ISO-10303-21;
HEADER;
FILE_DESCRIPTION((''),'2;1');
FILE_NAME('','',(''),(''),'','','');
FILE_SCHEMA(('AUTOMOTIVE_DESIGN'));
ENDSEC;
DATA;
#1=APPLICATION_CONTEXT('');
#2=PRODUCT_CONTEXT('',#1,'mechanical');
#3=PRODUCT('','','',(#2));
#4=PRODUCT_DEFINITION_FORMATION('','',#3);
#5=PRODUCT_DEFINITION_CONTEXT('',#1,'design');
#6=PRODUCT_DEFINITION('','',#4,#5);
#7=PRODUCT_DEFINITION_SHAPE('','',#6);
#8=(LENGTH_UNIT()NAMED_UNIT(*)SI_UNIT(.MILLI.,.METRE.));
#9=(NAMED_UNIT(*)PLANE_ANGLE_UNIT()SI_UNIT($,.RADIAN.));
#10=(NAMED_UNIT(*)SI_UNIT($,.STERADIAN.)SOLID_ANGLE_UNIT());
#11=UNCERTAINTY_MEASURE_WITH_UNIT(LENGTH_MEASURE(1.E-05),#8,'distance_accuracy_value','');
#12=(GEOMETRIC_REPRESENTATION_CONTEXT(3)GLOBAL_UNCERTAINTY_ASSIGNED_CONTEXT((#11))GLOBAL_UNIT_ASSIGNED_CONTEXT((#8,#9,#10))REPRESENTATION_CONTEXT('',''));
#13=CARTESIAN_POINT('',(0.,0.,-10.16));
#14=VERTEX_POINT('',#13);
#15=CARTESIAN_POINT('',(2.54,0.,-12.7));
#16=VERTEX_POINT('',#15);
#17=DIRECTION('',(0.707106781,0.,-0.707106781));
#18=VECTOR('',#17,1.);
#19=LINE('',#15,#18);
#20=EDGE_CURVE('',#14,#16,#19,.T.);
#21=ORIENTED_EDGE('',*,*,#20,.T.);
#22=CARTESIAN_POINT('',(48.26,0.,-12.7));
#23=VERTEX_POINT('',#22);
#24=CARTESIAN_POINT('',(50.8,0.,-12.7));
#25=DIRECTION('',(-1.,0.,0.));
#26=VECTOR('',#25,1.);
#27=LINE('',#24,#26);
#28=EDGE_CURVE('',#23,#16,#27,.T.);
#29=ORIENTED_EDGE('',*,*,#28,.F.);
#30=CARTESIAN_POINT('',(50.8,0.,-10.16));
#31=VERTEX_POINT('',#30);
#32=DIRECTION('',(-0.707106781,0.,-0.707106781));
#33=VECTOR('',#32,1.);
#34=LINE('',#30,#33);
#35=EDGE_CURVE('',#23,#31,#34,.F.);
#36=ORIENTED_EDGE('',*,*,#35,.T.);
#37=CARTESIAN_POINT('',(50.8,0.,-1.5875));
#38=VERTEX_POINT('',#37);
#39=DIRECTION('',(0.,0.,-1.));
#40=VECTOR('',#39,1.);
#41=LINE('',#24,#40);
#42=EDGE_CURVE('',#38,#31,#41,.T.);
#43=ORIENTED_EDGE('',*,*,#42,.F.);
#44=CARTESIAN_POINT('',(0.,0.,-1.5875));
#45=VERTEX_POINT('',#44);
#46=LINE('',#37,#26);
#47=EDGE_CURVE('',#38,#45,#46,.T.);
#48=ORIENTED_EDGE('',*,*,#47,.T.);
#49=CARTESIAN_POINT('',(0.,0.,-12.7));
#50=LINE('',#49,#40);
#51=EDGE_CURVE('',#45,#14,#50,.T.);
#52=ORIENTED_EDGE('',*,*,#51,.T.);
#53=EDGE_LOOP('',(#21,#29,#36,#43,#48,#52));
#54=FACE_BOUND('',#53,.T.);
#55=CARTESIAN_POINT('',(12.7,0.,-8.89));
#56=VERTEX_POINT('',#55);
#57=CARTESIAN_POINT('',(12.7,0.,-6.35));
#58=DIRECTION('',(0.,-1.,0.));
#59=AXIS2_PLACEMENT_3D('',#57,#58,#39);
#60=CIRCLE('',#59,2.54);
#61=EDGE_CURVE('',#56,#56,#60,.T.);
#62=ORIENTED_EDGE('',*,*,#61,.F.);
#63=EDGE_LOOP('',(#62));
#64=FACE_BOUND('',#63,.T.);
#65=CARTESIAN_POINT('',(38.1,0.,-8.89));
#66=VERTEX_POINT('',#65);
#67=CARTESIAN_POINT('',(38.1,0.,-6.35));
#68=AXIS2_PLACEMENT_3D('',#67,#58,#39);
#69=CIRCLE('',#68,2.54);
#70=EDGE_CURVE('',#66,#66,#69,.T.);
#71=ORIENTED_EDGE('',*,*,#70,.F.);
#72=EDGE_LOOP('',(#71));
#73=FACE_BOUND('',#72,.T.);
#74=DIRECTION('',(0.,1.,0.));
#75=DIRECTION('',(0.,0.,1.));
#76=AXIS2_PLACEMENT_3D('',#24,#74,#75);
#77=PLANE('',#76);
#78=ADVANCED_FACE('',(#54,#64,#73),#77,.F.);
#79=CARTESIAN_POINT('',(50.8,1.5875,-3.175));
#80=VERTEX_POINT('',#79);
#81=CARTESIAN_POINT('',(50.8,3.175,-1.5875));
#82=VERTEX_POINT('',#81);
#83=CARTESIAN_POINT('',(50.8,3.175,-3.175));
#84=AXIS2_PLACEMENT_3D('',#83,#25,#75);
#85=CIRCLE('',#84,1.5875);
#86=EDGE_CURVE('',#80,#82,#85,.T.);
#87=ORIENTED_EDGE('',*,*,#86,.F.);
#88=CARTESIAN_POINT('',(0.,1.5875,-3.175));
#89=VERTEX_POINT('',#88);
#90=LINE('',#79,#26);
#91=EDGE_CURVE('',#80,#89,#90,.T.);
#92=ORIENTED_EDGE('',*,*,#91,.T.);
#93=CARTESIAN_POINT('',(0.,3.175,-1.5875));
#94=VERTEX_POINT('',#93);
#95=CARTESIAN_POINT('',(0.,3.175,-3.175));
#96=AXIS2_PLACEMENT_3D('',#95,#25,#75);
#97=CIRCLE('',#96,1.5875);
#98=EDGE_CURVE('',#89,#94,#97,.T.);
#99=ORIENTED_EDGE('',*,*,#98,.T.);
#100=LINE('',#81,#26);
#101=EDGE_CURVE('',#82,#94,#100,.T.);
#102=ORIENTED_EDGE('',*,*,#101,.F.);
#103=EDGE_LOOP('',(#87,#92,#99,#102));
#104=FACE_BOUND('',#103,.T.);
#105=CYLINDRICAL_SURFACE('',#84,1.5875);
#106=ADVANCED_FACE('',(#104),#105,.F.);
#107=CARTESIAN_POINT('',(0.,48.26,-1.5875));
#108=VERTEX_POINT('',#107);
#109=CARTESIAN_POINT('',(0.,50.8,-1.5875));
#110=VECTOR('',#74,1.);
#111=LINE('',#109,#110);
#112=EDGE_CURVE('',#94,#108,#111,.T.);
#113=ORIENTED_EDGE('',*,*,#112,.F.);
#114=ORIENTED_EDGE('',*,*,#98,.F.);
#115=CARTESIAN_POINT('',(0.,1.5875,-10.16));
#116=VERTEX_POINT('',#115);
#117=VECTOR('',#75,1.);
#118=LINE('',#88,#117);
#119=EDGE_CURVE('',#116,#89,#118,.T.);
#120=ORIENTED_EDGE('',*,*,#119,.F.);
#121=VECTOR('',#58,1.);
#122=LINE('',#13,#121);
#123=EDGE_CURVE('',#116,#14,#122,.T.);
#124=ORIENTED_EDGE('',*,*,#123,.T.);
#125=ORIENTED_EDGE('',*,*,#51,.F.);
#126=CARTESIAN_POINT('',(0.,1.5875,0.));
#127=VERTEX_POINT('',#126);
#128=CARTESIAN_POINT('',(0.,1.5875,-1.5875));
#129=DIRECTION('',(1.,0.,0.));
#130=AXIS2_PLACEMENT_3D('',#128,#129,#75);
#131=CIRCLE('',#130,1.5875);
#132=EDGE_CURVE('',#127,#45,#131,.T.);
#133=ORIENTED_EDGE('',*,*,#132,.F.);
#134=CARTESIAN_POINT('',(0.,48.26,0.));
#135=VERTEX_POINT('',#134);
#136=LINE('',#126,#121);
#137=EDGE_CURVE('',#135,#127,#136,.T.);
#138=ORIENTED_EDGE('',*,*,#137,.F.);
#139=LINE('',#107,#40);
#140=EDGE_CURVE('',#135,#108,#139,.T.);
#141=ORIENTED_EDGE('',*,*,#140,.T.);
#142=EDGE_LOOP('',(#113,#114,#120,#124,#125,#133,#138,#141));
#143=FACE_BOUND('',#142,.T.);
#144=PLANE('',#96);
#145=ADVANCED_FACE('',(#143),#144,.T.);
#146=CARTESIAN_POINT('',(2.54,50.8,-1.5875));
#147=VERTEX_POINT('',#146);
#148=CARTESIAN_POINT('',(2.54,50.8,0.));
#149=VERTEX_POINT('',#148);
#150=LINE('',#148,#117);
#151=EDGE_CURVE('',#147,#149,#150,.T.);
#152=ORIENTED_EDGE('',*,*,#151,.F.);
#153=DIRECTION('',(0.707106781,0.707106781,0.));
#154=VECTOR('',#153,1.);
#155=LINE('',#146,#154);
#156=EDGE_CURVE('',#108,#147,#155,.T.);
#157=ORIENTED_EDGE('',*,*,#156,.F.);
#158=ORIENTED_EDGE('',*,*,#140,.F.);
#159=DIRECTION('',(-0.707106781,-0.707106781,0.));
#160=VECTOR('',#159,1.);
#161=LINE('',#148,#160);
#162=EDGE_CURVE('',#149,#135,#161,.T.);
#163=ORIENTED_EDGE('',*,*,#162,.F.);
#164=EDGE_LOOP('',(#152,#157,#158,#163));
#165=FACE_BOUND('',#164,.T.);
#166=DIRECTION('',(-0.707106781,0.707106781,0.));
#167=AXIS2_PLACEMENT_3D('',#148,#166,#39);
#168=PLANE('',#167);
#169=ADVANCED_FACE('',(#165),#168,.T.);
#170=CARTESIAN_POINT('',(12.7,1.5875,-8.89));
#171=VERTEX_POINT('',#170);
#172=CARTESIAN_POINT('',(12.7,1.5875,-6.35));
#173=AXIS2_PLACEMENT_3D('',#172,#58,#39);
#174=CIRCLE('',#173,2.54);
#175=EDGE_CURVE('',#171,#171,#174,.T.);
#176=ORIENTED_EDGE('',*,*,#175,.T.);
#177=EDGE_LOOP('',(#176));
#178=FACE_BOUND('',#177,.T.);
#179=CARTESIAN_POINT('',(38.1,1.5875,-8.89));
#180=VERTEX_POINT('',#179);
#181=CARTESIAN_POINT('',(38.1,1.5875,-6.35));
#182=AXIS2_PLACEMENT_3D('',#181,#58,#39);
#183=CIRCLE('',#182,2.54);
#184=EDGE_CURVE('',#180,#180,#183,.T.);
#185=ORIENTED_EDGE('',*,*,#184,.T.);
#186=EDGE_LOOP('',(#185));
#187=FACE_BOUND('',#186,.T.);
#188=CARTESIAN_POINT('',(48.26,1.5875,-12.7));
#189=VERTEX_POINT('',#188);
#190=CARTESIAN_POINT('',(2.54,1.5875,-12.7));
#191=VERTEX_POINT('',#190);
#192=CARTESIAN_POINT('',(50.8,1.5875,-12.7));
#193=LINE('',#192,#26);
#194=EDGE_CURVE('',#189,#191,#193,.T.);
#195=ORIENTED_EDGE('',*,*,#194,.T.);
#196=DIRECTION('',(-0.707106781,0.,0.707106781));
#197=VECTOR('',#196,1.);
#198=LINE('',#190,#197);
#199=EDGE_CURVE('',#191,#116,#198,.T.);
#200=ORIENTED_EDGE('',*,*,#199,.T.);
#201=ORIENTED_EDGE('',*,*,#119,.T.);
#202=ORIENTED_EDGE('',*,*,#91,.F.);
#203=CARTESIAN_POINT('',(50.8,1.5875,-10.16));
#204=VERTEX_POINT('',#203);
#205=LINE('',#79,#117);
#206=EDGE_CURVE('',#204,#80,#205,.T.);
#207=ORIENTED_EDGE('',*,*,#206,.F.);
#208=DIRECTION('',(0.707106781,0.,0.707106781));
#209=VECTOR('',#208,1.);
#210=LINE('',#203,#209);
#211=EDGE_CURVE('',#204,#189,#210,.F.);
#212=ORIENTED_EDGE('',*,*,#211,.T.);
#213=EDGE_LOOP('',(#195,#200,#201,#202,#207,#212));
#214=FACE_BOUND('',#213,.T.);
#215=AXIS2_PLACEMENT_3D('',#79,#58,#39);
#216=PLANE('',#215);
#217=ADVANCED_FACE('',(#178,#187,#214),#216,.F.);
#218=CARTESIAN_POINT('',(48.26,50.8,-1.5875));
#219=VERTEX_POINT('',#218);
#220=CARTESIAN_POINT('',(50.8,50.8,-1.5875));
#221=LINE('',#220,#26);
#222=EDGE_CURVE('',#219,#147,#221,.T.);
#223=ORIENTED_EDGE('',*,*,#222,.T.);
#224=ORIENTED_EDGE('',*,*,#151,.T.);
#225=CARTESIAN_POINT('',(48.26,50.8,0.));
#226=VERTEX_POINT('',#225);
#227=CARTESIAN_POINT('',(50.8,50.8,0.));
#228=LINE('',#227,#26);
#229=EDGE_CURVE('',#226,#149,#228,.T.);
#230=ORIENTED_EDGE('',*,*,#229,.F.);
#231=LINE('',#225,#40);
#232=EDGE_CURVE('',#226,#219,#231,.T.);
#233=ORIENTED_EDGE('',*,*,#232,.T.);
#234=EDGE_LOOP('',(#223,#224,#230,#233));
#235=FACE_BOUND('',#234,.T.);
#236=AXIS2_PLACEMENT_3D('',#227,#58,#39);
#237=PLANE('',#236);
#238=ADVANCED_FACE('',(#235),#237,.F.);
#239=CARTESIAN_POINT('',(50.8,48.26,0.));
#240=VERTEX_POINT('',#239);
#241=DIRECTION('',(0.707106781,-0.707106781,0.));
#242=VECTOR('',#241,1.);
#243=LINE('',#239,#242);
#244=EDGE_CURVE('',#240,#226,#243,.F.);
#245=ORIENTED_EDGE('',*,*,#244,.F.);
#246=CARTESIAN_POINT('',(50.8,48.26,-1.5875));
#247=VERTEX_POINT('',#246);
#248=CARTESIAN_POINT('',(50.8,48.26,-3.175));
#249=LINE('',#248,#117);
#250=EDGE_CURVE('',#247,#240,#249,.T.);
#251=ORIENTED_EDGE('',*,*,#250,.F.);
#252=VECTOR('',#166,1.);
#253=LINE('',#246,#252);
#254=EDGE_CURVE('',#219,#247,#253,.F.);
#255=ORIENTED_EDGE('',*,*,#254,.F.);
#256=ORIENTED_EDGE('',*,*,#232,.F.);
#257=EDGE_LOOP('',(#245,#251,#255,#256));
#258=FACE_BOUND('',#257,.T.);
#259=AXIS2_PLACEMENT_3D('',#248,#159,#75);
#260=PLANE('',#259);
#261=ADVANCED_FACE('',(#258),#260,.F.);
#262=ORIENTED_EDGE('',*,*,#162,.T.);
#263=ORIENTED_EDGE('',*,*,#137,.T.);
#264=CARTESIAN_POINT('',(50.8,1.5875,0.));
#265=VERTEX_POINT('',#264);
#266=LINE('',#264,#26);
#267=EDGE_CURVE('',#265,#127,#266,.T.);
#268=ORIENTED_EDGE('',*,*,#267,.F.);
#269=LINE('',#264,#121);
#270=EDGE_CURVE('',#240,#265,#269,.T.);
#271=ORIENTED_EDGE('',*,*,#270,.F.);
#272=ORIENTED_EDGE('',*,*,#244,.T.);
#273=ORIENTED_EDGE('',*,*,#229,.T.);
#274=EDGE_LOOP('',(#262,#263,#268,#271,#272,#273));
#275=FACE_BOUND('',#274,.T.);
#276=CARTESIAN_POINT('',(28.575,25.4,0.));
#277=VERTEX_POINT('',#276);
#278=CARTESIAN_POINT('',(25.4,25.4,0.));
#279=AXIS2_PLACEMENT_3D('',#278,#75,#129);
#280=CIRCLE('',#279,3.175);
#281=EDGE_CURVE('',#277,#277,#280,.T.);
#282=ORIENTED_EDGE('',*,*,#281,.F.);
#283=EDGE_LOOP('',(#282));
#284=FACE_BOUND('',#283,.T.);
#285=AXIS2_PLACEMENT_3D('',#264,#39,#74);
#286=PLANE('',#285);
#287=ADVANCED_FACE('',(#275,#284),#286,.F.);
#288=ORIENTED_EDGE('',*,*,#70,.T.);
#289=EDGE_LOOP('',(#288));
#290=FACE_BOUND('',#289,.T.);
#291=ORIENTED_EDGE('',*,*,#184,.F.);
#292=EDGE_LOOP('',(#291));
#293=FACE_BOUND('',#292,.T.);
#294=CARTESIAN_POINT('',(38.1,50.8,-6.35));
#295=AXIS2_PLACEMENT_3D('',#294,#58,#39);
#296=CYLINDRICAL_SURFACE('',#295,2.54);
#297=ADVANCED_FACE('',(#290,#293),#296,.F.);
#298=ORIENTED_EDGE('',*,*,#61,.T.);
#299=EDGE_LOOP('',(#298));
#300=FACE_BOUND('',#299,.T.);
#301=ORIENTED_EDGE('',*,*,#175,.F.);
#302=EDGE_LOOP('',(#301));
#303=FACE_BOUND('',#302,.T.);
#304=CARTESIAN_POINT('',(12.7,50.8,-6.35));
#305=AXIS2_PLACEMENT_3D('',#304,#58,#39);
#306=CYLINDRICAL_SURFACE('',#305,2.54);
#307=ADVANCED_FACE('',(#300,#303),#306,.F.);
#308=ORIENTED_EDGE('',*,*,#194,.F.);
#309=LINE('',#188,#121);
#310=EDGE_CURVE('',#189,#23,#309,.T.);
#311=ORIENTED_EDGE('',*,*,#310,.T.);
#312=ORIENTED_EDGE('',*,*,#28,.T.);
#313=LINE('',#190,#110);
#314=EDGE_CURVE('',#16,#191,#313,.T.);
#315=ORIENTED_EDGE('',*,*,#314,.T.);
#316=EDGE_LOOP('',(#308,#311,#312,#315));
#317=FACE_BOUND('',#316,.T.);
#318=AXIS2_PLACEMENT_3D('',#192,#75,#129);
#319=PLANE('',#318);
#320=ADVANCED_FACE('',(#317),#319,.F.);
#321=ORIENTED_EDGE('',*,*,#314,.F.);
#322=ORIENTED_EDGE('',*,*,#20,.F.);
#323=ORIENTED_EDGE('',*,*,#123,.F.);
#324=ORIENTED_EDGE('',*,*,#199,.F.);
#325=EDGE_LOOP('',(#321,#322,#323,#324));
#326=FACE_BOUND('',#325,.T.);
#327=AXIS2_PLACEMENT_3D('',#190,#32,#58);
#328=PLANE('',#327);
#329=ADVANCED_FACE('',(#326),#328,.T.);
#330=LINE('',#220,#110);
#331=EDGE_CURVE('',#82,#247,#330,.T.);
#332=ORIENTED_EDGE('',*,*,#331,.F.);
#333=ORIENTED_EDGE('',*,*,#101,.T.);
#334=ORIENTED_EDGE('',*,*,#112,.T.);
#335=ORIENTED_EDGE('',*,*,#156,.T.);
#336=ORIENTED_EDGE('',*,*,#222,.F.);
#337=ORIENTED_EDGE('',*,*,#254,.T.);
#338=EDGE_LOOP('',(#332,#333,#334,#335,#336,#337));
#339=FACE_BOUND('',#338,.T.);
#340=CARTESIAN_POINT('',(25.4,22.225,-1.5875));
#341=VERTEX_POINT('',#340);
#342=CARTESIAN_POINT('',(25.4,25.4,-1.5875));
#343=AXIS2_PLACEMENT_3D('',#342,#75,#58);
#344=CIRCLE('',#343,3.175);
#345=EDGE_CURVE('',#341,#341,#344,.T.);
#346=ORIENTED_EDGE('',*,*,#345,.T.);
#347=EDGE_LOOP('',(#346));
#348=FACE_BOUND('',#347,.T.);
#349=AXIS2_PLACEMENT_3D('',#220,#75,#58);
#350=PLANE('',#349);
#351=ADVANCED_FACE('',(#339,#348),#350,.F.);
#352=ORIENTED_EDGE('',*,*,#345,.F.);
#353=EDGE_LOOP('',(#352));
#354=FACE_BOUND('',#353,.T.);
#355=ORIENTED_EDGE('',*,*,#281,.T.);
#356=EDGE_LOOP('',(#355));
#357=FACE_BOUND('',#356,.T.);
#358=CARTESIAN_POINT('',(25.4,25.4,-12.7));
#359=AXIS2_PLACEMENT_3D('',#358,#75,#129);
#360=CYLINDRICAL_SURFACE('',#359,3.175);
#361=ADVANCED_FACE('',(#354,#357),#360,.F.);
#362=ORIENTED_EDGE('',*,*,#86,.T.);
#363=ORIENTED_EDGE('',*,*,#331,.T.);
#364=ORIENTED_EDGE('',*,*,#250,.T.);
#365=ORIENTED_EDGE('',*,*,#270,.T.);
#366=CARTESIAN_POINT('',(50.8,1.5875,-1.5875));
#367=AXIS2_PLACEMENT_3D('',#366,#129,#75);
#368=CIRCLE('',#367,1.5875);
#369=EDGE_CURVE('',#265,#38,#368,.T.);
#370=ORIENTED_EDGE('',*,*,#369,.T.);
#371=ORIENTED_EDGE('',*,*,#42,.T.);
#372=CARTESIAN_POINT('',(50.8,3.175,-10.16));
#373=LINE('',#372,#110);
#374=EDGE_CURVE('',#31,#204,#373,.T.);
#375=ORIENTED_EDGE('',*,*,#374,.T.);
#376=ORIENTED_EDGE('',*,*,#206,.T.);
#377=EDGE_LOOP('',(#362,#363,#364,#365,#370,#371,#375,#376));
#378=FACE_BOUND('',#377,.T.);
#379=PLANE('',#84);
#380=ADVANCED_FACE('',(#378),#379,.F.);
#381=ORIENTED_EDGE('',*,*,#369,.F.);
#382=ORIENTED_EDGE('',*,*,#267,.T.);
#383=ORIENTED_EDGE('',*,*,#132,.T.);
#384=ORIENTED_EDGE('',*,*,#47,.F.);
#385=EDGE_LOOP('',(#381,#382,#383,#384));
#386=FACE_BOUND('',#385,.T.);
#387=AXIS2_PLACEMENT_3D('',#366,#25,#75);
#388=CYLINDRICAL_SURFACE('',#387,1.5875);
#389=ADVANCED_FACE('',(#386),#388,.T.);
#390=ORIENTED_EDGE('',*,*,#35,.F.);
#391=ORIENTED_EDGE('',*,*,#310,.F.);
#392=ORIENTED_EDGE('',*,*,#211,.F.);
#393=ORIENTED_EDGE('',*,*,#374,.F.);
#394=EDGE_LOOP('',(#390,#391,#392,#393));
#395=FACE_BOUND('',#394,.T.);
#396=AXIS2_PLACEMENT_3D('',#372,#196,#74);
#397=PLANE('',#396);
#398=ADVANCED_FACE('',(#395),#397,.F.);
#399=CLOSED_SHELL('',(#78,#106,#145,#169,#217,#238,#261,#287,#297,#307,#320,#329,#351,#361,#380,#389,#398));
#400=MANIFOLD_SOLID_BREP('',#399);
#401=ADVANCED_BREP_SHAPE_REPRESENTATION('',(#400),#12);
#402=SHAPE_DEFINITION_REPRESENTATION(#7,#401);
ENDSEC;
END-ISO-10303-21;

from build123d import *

# Parameters (mm, degrees)
BOSS_EXTRUDE1_DEPTH = 50.8
SKETCH2_R           = 2.54
CUT_EXTRUDE1_DEPTH  = 73.955945611
SKETCH3_R           = 3.175
CUT_EXTRUDE2_DEPTH  = 73.955945611
CHAMFER1_SIZE       = 2.54


with BuildPart() as part:
    # Sketch1 → Boss-Extrude1 (new body)
    with BuildSketch(Plane(origin=(0, 0, 0), x_dir=(0, 0, -1), z_dir=(1, 0, 0))):
        with BuildLine():
            Line((0, 1.5875), (0, 50.8))
            Line((0, 50.8), (1.5875, 50.8))
            Line((1.5875, 50.8), (1.5875, 3.175))
            ThreePointArc((1.5875, 3.175), (2.052467985, 2.052467985), (3.175, 1.5875))
            Line((3.175, 1.5875), (12.7, 1.5875))
            Line((12.7, 1.5875), (12.7, 0))
            Line((12.7, 0), (1.5875, 0))
            ThreePointArc((1.5875, 0), (0.464967985, 0.464967985), (0, 1.5875))
        make_face()
    extrude(amount=BOSS_EXTRUDE1_DEPTH)

    # Sketch2 → Cut-Extrude1 (cut, through all)
    with BuildSketch(Plane.XZ):
        with Locations(Location((38.1, -6.35, 0), (0, 0, 270))):
            Circle(SKETCH2_R)
        with Locations(Location((12.7, -6.35, 0), (0, 0, 270))):
            Circle(SKETCH2_R)
    extrude(amount=-CUT_EXTRUDE1_DEPTH, mode=Mode.SUBTRACT)

    # Sketch3 → Cut-Extrude2 (cut, through all)
    with BuildSketch(Plane.XY):
        with Locations((25.4, 25.4)):
            Circle(SKETCH3_R)
    extrude(amount=-CUT_EXTRUDE2_DEPTH, mode=Mode.SUBTRACT)

    # Chamfer1
    chamfer1_edges = [part.edges().sort_by_distance(p)[0] for p in [
        (0, 50.8, -0.79375),
        (50.8, 0.79375, -12.7),
        (50.8, 50.8, -0.79375),
        (0, 0.79375, -12.7),
    ]]
    chamfer(chamfer1_edges, length=CHAMFER1_SIZE)


solid = part.part
